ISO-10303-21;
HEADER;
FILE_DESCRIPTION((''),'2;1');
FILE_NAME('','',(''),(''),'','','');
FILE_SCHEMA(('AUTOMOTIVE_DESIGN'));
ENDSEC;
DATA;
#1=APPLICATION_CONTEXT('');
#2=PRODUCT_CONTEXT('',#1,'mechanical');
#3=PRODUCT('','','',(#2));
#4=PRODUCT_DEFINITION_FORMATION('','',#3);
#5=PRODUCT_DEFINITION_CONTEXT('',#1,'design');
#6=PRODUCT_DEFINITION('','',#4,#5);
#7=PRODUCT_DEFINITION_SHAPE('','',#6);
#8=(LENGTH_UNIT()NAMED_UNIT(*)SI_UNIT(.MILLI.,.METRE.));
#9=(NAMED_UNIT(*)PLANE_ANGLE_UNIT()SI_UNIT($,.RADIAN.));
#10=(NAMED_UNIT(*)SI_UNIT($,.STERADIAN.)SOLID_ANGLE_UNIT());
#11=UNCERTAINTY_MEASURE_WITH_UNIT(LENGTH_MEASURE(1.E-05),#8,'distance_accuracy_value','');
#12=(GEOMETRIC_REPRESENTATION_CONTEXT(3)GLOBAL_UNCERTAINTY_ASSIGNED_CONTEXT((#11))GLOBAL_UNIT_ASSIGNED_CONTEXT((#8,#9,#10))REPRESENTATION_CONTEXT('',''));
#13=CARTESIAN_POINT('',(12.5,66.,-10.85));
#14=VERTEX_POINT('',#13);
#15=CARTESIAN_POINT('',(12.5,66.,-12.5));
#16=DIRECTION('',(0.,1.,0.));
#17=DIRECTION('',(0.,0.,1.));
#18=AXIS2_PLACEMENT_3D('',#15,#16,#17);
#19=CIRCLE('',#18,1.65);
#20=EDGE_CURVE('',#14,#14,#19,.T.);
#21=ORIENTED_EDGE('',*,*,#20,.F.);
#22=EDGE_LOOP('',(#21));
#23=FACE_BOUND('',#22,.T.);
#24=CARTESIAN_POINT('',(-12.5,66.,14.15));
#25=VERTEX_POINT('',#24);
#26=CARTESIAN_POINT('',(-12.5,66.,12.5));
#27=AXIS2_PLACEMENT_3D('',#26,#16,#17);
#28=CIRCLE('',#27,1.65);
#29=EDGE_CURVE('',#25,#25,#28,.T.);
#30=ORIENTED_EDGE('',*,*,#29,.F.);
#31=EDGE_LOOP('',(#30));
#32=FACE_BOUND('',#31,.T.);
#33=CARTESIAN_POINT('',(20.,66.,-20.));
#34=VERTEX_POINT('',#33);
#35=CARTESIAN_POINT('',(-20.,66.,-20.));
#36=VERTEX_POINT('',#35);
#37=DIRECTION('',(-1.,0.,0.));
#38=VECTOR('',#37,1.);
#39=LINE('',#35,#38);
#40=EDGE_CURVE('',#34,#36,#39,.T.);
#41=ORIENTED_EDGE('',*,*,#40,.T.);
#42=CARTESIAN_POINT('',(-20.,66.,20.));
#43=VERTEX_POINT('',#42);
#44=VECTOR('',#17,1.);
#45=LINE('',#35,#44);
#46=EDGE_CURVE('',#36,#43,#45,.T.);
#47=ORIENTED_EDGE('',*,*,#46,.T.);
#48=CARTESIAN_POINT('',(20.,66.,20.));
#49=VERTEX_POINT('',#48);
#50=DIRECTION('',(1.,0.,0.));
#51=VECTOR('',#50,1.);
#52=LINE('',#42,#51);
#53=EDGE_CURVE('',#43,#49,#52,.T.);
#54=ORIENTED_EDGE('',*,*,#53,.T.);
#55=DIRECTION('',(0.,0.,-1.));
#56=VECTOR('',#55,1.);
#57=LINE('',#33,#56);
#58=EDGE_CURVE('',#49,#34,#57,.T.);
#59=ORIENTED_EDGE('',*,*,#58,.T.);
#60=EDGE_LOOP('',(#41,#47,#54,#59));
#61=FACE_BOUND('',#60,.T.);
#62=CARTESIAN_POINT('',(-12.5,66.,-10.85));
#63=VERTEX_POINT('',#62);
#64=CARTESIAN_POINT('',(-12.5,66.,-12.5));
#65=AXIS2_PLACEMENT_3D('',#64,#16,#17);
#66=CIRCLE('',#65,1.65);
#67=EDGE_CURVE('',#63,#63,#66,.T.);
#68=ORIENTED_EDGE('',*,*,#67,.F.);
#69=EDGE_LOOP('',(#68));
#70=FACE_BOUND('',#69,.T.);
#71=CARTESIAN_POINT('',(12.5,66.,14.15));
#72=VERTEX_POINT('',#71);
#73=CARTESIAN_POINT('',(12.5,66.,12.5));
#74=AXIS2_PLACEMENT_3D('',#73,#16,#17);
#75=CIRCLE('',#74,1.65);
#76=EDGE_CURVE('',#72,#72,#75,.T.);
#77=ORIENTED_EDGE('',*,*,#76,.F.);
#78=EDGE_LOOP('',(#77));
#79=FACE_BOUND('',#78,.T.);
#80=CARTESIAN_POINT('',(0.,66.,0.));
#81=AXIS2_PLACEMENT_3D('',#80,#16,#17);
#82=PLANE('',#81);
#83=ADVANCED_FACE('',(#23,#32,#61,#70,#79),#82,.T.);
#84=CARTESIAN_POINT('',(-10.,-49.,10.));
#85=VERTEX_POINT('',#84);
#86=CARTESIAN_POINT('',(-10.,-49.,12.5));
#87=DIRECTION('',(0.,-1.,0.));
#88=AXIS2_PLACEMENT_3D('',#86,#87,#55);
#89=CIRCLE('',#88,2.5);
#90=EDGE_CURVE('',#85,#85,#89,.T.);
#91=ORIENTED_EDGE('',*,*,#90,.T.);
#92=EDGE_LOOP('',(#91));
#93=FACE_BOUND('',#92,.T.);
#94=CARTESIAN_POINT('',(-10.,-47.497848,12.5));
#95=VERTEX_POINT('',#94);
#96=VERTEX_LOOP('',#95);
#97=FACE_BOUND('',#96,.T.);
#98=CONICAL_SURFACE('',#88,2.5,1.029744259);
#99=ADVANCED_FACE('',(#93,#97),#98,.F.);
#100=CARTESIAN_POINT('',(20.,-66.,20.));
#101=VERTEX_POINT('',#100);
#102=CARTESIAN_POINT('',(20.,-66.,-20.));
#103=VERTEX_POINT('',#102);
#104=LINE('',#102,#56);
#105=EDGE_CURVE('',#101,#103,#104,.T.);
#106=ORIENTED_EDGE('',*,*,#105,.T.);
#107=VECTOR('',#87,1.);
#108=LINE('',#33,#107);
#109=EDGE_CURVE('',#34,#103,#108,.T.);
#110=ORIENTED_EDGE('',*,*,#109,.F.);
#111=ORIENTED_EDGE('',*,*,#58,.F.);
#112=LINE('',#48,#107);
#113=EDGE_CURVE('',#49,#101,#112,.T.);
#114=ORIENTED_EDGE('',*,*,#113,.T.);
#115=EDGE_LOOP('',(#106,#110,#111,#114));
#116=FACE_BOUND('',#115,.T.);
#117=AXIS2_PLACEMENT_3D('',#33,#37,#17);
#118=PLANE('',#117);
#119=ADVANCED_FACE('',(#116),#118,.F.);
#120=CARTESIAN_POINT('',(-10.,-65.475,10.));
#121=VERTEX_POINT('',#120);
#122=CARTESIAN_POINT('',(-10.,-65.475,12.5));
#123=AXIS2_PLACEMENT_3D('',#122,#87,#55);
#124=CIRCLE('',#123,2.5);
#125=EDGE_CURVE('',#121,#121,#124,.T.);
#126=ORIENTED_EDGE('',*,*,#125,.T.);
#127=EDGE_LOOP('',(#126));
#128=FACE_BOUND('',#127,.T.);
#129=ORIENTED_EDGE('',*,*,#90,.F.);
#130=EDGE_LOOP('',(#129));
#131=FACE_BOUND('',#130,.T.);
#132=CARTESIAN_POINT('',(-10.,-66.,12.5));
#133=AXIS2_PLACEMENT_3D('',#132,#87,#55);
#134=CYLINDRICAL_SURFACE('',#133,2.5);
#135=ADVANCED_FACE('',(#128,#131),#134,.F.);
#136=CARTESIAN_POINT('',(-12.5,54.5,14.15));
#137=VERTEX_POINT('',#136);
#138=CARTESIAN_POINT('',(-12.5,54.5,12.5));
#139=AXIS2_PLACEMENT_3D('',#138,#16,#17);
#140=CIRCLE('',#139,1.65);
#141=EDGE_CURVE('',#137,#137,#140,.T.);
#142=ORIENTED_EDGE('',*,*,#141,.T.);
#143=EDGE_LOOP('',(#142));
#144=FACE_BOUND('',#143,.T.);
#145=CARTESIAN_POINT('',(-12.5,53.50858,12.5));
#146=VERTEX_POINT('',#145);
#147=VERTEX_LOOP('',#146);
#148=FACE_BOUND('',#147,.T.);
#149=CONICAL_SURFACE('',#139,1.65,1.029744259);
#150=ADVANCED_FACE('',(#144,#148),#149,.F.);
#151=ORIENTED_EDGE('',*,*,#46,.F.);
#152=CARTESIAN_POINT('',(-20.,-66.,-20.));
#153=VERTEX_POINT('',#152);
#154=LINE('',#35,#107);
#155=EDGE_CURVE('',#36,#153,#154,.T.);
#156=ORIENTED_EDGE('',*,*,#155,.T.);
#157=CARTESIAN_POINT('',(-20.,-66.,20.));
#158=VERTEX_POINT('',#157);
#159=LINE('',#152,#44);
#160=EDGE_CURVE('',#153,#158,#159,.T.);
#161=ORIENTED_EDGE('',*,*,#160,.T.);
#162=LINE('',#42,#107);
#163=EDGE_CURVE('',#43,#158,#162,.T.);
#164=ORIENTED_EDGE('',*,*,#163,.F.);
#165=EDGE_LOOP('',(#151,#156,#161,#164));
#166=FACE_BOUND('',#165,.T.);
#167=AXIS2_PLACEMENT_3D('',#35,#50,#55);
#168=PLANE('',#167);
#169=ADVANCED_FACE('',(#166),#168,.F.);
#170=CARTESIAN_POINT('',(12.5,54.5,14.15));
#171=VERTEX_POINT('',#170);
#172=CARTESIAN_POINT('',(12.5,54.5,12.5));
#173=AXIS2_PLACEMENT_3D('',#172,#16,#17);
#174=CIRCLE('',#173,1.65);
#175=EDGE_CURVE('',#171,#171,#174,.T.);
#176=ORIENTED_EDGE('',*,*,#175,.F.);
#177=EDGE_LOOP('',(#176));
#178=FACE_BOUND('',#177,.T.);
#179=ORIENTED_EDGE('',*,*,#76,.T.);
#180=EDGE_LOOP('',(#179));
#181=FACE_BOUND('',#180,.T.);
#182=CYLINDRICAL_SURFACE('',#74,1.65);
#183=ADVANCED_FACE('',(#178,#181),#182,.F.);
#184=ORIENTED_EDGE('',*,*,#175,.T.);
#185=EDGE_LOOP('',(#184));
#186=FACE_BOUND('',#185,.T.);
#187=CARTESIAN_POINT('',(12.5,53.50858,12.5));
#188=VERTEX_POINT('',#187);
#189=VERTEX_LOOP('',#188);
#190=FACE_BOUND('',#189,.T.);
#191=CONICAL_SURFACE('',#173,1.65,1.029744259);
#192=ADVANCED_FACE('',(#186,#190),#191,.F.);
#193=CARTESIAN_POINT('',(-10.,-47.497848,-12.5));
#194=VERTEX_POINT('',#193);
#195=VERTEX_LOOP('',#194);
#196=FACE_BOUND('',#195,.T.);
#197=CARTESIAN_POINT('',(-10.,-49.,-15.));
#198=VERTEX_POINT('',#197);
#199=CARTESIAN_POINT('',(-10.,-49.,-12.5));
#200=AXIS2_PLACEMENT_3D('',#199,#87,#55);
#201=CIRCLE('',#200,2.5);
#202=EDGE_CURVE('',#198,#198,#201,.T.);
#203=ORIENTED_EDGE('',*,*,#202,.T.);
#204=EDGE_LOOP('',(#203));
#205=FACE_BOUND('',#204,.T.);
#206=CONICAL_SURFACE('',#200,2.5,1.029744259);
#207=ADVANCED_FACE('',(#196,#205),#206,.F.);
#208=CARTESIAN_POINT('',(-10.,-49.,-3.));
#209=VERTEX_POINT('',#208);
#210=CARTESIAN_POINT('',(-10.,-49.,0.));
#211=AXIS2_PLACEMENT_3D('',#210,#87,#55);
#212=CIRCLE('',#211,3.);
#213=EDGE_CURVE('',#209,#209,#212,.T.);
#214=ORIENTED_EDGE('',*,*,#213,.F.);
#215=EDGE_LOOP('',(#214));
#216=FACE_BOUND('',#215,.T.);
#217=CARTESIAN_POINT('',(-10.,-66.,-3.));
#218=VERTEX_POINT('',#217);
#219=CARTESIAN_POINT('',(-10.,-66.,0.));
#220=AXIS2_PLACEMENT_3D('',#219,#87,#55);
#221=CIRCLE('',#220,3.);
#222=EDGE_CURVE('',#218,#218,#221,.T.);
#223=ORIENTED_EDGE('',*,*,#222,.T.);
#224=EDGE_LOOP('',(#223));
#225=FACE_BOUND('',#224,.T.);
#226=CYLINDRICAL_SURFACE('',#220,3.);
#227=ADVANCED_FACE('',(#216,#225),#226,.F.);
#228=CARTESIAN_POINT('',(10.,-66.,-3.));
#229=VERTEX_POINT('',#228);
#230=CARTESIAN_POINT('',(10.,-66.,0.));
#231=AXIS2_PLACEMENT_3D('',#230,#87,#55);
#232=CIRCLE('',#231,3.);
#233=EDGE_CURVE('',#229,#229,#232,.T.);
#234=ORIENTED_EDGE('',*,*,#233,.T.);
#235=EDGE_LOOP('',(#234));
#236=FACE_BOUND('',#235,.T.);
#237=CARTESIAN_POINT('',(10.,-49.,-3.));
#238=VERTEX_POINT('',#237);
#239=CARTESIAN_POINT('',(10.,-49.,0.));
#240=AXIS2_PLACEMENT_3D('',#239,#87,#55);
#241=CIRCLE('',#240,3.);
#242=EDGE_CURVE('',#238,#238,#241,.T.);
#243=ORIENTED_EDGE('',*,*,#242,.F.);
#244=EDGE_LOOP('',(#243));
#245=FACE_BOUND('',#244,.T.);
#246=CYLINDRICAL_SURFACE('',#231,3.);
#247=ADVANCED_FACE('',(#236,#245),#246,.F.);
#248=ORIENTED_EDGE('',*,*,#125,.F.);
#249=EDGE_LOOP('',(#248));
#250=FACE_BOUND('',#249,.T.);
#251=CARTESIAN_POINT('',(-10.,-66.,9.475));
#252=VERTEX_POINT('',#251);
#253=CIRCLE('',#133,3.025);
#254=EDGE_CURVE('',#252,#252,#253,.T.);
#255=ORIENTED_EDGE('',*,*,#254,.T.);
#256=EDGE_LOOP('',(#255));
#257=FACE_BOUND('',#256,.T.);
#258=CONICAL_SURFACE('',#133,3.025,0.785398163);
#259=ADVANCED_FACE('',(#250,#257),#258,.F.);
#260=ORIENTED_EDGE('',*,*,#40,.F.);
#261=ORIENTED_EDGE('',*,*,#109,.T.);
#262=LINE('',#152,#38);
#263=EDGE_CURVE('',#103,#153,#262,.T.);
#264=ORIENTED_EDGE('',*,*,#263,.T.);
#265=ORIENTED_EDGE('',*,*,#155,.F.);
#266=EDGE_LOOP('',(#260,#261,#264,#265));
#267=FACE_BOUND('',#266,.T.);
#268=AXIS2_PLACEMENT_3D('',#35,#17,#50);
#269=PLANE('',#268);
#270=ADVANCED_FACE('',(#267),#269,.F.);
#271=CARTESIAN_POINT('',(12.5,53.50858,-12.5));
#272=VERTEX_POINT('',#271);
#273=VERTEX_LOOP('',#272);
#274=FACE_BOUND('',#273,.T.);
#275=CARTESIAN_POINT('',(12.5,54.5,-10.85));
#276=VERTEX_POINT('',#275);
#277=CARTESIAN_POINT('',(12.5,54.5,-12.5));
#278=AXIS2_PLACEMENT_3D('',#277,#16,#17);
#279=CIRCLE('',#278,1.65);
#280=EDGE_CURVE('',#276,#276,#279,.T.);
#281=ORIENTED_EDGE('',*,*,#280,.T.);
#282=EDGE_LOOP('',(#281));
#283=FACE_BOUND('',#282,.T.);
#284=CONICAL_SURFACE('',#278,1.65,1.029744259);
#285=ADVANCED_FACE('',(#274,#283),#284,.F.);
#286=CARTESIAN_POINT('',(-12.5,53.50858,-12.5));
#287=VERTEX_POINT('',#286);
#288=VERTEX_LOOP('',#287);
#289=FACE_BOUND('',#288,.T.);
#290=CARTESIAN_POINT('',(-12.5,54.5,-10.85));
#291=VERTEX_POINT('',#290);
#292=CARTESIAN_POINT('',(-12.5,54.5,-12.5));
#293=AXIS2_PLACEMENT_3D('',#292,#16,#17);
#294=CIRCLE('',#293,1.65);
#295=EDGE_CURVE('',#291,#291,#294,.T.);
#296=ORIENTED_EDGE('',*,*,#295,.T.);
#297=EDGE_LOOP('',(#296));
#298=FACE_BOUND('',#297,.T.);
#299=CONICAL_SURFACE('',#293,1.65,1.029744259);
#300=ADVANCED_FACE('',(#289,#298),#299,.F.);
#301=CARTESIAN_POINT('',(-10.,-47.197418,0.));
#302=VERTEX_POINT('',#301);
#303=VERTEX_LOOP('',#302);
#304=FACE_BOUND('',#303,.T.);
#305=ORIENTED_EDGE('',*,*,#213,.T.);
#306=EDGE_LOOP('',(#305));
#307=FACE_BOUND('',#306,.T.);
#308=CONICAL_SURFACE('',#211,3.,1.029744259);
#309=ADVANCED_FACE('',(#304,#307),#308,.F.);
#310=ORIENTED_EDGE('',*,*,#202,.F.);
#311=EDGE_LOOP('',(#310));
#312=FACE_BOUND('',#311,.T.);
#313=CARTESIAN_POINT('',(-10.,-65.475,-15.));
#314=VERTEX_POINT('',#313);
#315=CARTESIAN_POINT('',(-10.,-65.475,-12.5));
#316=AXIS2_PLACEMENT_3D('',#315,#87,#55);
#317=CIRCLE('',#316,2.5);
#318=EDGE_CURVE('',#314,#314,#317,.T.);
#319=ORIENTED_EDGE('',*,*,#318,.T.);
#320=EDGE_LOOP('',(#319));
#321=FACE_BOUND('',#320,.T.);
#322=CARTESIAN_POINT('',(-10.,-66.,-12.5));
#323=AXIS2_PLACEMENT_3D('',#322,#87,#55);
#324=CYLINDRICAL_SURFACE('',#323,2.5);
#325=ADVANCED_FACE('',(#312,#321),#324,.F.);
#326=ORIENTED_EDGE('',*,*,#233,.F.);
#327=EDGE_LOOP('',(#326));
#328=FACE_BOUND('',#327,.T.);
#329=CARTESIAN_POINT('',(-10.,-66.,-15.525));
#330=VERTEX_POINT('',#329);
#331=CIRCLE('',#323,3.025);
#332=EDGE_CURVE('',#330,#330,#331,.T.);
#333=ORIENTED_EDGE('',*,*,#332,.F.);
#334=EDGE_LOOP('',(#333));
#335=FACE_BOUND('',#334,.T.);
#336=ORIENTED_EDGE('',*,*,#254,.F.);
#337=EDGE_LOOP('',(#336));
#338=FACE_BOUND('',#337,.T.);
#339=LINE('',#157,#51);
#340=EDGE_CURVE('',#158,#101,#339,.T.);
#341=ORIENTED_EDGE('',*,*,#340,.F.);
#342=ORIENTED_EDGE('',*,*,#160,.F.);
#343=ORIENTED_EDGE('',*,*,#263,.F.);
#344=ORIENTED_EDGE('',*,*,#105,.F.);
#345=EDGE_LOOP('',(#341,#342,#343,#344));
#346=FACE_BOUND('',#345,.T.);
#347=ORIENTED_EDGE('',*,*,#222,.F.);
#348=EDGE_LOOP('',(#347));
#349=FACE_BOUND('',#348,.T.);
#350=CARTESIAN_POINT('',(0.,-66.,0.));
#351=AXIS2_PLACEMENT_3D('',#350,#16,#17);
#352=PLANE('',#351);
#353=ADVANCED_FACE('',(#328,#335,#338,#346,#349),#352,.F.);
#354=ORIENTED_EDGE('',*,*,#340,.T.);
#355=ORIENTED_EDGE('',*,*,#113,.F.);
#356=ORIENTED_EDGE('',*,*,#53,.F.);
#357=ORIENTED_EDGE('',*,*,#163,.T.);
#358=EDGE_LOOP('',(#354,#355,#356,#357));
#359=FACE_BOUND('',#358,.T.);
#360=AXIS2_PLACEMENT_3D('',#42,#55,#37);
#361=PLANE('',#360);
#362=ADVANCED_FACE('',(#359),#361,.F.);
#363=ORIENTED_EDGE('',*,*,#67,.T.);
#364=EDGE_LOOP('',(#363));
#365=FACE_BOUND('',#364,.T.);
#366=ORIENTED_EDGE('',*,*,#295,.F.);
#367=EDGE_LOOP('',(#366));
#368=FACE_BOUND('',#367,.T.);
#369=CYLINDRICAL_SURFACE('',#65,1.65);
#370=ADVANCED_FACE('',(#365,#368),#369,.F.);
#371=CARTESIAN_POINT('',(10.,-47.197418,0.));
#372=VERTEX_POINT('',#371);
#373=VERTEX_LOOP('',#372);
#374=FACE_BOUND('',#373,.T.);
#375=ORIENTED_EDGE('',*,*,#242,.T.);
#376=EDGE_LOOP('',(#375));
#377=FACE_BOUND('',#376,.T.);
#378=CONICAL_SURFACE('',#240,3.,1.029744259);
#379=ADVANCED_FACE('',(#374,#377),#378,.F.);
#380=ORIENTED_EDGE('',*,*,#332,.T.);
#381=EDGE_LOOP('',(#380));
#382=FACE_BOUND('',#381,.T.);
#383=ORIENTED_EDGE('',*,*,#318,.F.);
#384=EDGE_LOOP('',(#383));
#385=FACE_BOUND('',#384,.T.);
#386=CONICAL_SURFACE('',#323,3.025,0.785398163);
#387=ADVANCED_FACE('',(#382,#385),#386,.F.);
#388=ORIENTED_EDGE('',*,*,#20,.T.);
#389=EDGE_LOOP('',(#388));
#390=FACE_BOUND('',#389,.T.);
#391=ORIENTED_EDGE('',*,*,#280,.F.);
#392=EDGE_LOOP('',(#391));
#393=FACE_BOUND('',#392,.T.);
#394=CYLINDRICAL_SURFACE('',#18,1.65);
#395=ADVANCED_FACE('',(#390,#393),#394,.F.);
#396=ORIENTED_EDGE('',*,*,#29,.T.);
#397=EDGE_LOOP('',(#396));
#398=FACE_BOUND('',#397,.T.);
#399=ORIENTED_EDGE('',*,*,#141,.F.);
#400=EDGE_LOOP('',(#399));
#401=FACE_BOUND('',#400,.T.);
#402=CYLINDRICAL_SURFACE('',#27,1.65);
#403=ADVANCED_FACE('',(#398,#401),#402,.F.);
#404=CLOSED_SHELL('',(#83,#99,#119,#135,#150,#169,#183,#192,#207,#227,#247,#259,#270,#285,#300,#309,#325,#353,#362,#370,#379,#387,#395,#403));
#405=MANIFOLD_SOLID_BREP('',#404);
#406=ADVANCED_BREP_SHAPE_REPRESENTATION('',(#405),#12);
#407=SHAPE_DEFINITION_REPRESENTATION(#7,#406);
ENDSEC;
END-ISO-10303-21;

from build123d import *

# Parameters (mm, degrees)
SKIZZE1_W                       = 40
SKIZZE1_H                       = 40
AUFSATZ_LINEAR_AUSTRAGEN1_DEPTH = 66
M4_GEWINDEBOHRUNG1_D            = 3.3
M4_GEWINDEBOHRUNG1_DEPTH        = 11.5
M4_GEWINDEBOHRUNG1_TIP          = 0.991420021
M6_GEWINDEBOHRUNG1_D            = 5
M6_GEWINDEBOHRUNG1_DEPTH        = 17
M6_GEWINDEBOHRUNG1_CSINK_D      = 6.05
M6_GEWINDEBOHRUNG1_CSINK_ANGLE  = 90
M6_GEWINDEBOHRUNG1_TIP          = 1.502151548
F_6_0MM_STIFTLOCH1_D            = 6
F_6_0MM_STIFTLOCH1_DEPTH        = 17
F_6_0MM_STIFTLOCH1_TIP          = 1.802581857


with BuildPart() as part:
    # Skizze1 → Aufsatz-Linear austragen1 (new, symmetric)
    with BuildSketch(Plane(origin=(0, 0, 0), x_dir=(1, 0, 0), z_dir=(0, 1, 0))):
        Rectangle(SKIZZE1_W, SKIZZE1_H)
    extrude(amount=AUFSATZ_LINEAR_AUSTRAGEN1_DEPTH, both=True)

    # M4 Gewindebohrung1
    with Locations(Plane(origin=(0, 66, 0), x_dir=(1, 0, 0), z_dir=(0, 1, 0))):
        with Locations((-12.5, 12.5), (12.5, 12.5), (12.5, -12.5), (-12.5, -12.5)):
            Hole(M4_GEWINDEBOHRUNG1_D / 2, depth=M4_GEWINDEBOHRUNG1_DEPTH)
            with Locations((0, 0, -(M4_GEWINDEBOHRUNG1_DEPTH + M4_GEWINDEBOHRUNG1_TIP / 2))):  # 118° drill point
                Cone(0, M4_GEWINDEBOHRUNG1_D / 2, M4_GEWINDEBOHRUNG1_TIP, mode=Mode.SUBTRACT)

    # M6 Gewindebohrung1
    with Locations(Plane(origin=(0, -66, 0), x_dir=(-1, 0, 0), z_dir=(0, -1, 0))):
        with Locations((10, 12.5), (10, -12.5)):
            CounterSinkHole(M6_GEWINDEBOHRUNG1_D / 2, M6_GEWINDEBOHRUNG1_CSINK_D / 2, depth=M6_GEWINDEBOHRUNG1_DEPTH, counter_sink_angle=M6_GEWINDEBOHRUNG1_CSINK_ANGLE)
            with Locations((0, 0, -(M6_GEWINDEBOHRUNG1_DEPTH + M6_GEWINDEBOHRUNG1_TIP / 2))):  # 118° drill point
                Cone(0, M6_GEWINDEBOHRUNG1_D / 2, M6_GEWINDEBOHRUNG1_TIP, mode=Mode.SUBTRACT)

    # Ø6.0mm Stiftloch1
    with Locations(Plane(origin=(0, -66, 0), x_dir=(-1, 0, 0), z_dir=(0, -1, 0))):
        with Locations((10, 0), (-10, 0)):
            Hole(F_6_0MM_STIFTLOCH1_D / 2, depth=F_6_0MM_STIFTLOCH1_DEPTH)
            with Locations((0, 0, -(F_6_0MM_STIFTLOCH1_DEPTH + F_6_0MM_STIFTLOCH1_TIP / 2))):  # 118° drill point
                Cone(0, F_6_0MM_STIFTLOCH1_D / 2, F_6_0MM_STIFTLOCH1_TIP, mode=Mode.SUBTRACT)


solid = part.part
